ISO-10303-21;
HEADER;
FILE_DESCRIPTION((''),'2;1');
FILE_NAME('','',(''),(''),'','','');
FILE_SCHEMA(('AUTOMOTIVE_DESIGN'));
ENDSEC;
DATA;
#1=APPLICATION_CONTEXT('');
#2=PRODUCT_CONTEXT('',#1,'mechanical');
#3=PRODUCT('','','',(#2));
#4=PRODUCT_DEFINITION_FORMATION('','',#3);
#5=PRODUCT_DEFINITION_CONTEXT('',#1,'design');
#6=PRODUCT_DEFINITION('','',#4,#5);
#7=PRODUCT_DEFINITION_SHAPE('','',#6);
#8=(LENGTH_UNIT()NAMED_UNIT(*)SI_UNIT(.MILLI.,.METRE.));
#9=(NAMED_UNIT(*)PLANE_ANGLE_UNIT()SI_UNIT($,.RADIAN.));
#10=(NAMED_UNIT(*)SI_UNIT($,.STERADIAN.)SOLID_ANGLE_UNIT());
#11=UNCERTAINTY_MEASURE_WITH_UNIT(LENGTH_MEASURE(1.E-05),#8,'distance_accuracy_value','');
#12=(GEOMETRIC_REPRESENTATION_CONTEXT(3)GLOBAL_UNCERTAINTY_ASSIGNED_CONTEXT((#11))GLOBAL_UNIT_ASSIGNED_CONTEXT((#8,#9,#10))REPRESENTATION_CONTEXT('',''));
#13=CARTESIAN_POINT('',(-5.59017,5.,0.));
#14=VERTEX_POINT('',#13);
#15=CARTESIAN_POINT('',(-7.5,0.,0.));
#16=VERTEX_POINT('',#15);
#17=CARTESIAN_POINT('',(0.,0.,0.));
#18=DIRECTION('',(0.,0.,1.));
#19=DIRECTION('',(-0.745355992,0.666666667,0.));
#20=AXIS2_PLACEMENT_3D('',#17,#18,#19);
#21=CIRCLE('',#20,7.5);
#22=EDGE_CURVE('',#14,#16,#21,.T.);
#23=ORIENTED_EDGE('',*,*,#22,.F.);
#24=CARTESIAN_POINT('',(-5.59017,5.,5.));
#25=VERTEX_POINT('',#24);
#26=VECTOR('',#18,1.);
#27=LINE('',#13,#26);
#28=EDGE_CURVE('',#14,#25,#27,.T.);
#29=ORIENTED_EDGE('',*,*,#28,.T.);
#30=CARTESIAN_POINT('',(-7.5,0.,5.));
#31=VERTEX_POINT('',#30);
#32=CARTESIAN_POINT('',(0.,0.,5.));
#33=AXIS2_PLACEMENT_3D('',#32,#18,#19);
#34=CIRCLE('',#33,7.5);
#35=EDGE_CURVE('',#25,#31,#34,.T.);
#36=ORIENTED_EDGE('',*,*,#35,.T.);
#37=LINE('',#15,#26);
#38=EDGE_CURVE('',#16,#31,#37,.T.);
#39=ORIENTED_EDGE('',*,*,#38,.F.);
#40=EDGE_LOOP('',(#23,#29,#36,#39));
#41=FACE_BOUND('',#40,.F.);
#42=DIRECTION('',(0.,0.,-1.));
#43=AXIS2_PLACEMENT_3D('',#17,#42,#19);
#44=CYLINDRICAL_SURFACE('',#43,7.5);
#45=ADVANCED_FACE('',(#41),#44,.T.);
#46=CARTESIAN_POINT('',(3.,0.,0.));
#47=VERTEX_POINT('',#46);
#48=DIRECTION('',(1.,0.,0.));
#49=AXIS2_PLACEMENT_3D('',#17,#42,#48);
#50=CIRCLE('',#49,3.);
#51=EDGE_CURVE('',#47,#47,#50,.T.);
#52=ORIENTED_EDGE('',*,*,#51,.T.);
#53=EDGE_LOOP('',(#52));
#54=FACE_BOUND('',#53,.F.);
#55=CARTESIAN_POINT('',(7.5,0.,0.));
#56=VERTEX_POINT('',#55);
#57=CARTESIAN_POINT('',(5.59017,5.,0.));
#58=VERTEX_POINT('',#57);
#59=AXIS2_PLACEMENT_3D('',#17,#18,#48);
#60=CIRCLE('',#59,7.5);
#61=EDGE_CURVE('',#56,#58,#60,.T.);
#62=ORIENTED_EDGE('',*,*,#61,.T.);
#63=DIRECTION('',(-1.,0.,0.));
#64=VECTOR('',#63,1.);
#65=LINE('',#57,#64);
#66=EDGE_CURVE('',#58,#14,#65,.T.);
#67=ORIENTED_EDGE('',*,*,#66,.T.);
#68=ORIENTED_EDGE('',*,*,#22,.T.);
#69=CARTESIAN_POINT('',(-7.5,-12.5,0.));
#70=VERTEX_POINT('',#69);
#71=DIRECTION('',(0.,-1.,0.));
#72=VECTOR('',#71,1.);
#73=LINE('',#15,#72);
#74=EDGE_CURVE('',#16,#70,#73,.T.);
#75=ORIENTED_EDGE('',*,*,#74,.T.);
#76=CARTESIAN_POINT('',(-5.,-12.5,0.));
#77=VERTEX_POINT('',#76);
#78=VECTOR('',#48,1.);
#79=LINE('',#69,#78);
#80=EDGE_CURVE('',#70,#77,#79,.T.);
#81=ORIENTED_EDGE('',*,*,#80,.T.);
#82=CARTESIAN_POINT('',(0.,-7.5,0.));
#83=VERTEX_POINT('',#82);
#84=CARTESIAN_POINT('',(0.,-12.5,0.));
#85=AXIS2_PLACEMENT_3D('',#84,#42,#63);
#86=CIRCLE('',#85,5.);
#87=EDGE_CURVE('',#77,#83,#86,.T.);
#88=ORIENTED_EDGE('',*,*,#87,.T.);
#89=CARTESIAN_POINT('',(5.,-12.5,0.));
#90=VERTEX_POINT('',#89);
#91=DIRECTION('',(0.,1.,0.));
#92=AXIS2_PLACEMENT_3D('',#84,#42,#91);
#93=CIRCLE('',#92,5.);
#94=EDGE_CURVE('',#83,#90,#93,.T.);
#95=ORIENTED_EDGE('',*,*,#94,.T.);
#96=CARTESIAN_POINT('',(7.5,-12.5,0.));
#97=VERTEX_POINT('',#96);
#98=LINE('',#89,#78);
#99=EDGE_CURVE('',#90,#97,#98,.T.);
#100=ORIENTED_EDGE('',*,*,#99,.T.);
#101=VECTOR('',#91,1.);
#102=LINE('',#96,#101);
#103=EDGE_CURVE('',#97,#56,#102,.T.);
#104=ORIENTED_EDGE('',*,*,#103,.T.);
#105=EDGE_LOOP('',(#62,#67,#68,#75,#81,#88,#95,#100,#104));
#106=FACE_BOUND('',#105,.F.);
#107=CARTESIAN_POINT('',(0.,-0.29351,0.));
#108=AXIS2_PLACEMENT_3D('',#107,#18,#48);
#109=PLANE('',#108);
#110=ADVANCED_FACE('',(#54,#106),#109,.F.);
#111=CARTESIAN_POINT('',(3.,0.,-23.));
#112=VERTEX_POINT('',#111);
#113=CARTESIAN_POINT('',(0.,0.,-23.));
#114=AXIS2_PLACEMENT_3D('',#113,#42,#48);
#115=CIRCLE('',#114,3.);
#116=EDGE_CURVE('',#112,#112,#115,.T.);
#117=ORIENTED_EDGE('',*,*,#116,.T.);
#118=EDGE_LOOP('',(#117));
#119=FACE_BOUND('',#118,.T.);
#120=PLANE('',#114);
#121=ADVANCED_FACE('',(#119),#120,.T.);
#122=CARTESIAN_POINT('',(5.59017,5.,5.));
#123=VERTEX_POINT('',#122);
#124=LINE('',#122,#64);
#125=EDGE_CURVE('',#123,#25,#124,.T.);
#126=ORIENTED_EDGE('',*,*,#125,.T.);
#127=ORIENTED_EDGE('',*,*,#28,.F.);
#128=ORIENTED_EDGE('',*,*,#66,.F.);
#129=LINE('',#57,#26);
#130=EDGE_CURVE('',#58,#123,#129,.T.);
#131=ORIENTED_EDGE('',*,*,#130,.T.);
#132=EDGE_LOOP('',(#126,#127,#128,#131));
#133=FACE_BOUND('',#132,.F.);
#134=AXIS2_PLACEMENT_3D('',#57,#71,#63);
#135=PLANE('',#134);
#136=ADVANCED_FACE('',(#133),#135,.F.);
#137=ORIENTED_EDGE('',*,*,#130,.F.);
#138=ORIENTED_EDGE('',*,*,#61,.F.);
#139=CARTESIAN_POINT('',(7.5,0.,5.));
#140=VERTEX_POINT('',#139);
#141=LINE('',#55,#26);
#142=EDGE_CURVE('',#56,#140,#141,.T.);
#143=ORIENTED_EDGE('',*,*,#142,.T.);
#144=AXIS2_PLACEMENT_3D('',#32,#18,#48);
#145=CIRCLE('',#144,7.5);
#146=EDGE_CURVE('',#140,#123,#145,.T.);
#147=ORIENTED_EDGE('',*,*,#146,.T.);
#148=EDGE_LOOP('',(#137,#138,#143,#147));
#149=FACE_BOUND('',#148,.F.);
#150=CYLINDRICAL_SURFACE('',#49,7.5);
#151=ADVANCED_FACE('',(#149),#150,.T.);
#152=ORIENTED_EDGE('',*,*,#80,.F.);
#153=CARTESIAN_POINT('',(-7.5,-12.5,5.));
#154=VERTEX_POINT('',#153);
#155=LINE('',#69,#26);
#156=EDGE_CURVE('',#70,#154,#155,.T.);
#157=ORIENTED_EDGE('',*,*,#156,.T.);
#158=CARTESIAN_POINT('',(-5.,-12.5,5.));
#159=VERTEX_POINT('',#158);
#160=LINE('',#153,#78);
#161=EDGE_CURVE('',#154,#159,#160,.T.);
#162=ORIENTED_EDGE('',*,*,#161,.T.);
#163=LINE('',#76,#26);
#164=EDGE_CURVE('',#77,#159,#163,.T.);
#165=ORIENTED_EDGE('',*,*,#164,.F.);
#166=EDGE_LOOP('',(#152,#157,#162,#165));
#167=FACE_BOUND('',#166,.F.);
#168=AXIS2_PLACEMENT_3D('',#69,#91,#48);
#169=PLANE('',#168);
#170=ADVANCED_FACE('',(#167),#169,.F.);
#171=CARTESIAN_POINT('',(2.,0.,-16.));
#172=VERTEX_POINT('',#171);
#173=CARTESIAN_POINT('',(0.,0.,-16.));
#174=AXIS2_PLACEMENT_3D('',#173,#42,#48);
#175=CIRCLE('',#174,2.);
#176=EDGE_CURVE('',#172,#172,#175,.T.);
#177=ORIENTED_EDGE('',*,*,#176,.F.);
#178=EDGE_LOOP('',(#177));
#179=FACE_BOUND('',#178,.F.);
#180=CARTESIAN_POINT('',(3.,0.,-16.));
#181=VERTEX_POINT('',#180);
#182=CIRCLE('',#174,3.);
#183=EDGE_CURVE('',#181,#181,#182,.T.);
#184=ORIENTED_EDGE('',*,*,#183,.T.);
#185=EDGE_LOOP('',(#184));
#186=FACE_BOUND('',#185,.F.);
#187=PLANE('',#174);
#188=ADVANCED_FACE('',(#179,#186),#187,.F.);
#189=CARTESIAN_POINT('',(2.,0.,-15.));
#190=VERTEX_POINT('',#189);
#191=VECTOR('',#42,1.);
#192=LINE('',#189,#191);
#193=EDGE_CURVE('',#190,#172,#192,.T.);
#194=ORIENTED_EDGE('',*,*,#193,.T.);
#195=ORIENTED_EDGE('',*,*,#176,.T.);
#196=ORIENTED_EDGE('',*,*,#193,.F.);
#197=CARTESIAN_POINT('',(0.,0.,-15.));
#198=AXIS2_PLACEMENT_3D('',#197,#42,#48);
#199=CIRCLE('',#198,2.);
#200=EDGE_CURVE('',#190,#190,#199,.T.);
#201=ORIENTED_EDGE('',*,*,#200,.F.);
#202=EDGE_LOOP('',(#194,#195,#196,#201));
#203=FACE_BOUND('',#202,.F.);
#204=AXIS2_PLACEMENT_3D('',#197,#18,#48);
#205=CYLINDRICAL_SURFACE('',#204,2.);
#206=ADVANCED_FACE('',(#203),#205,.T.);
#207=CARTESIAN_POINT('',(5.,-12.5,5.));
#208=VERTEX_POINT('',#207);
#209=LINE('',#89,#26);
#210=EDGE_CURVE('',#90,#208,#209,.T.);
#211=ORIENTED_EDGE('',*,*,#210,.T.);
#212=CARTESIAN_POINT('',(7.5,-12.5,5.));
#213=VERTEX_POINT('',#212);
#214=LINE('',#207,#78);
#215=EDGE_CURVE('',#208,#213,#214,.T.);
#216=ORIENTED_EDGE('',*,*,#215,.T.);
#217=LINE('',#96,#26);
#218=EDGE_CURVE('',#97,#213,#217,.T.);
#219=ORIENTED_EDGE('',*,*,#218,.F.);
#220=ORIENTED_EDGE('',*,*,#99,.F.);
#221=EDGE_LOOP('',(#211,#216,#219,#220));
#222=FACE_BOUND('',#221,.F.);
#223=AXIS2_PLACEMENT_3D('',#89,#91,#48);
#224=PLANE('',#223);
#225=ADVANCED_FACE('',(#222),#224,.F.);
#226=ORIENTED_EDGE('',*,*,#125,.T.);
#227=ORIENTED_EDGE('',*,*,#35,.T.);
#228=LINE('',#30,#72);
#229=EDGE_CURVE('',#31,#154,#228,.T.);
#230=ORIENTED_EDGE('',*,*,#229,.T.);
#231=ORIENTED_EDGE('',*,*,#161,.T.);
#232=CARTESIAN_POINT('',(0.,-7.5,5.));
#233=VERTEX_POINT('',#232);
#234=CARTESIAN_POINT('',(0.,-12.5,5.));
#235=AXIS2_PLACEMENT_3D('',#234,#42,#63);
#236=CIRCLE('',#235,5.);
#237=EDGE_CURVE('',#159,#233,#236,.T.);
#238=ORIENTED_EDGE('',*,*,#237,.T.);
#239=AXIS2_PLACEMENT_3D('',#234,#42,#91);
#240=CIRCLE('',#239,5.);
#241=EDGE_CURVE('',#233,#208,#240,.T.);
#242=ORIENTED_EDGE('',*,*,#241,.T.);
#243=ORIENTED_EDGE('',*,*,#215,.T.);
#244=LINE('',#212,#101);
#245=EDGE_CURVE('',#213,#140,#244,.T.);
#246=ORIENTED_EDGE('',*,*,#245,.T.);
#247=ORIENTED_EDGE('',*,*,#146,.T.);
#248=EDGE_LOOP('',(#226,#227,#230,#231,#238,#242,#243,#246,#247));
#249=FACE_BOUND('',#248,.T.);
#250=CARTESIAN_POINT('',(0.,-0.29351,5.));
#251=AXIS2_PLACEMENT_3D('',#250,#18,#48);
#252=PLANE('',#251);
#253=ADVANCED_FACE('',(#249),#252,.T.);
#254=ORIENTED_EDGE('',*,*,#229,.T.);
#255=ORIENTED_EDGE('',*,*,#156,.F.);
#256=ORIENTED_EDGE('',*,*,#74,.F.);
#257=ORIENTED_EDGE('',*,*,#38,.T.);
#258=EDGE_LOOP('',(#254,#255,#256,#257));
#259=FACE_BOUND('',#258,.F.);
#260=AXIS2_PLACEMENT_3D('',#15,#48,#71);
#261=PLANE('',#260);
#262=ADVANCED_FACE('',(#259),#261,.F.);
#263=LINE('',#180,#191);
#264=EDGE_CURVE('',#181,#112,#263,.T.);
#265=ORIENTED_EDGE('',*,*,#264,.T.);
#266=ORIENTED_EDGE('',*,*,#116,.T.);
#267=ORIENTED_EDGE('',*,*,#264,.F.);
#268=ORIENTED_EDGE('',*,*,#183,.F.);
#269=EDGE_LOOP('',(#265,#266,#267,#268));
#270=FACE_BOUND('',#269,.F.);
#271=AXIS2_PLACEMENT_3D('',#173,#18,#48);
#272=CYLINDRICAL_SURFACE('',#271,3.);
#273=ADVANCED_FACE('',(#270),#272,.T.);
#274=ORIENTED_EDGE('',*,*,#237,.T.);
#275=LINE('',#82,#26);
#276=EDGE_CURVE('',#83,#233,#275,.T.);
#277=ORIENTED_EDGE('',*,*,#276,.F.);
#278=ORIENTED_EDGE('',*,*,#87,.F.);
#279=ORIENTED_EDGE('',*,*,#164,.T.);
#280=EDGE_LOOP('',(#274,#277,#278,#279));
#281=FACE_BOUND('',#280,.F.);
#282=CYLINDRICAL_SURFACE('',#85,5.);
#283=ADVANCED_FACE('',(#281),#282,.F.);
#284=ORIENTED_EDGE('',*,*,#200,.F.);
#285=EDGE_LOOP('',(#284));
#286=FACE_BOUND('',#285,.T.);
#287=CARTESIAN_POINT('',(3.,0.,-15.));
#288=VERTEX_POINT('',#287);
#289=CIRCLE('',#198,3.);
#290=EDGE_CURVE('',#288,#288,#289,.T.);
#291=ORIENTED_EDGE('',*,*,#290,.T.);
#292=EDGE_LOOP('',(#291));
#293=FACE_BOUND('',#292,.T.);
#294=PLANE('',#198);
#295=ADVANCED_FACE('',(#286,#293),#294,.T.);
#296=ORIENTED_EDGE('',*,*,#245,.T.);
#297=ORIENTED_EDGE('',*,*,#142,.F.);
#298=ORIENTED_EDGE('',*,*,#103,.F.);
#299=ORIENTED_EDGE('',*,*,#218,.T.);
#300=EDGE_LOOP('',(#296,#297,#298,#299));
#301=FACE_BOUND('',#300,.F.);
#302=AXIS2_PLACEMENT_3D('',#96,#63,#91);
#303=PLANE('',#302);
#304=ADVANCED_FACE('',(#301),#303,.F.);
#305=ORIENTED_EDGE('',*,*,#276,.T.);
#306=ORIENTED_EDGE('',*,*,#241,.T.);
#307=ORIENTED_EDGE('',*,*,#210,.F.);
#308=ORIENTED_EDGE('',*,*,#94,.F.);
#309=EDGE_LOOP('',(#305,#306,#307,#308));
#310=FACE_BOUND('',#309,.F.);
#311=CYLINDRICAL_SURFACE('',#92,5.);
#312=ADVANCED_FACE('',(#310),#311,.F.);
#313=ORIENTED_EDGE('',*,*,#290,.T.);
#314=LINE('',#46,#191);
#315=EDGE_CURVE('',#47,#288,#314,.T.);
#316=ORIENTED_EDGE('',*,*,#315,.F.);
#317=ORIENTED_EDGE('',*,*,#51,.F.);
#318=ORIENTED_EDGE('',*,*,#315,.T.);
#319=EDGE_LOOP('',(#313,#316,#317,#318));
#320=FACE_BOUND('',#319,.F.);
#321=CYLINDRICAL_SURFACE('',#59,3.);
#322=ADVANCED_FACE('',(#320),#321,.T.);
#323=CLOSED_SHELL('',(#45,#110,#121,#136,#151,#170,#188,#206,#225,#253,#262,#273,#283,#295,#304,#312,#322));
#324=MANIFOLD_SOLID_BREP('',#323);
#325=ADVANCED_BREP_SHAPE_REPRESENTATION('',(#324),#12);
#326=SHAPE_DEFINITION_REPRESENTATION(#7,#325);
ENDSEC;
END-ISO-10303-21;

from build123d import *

# Parameters (mm, degrees)
F1_DEPTH = 5
F2_R     = 3
F3_DEPTH = 15
F4_R     = 2
F5_DEPTH = 1
F6_R     = 3
F6_R_2   = 2
F7_DEPTH = 7


with BuildPart() as f1:
    # F0 (on Top) → F1 (new body)
    with BuildSketch(Plane.XY):
        with BuildLine():
            ThreePointArc((0, -7.5), (5.3033008589, -5.3033008589), (7.5, 0))
            ThreePointArc((7.5, 0), (7.0062926922, 2.6761656733), (5.5901699437, 5))
            Line((5.5901699437, 5), (-5.5901699437, 5))
            ThreePointArc((-5.5901699437, 5), (-7.0062926922, 2.6761656733), (-7.5, 0))
            ThreePointArc((-7.5, 0), (-5.3033008589, -5.3033008589), (0, -7.5))
        make_face()
        with BuildLine():
            Line((7.5, -7.5), (7.5, 0))
            ThreePointArc((7.5, 0), (5.3033008589, -5.3033008589), (0, -7.5))
            Line((0, -7.5), (7.5, -7.5))
        make_face()
        with BuildLine():
            Line((-7.5, -7.5), (0, -7.5))
            ThreePointArc((0, -7.5), (-5.3033008589, -5.3033008589), (-7.5, 0))
            Line((-7.5, 0), (-7.5, -7.5))
        make_face()
        with BuildLine():
            Line((7.5, -7.5), (0, -7.5))
            ThreePointArc((0, -7.5), (3.5355339059, -8.9644660941), (5, -12.5))
            Line((5, -12.5), (7.5, -12.5))
            Line((7.5, -12.5), (7.5, -7.5))
        make_face()
        with BuildLine():
            ThreePointArc((-5, -12.5), (-3.5355339059, -8.9644660941), (0, -7.5))
            Line((0, -7.5), (-7.5, -7.5))
            Line((-7.5, -7.5), (-7.5, -12.5))
            Line((-7.5, -12.5), (-5, -12.5))
        make_face()
    extrude(amount=F1_DEPTH)

    # F2 (on face) → F3 (join)
    with BuildSketch(Plane(origin=(0, 0, 0), x_dir=(1, 0, 0), z_dir=(0, 0, -1))):
        Circle(F2_R)
    extrude(amount=F3_DEPTH)

    # F4 (on face) → F5 (join)
    with BuildSketch(Plane(origin=(0, 0, -15), x_dir=(1, 0, 0), z_dir=(0, 0, -1))):
        Circle(F4_R)
    extrude(amount=F5_DEPTH)

    # F6 (on face) → F7 (join)
    with BuildSketch(Plane(origin=(0, 0, -16), x_dir=(1, 0, 0), z_dir=(0, 0, -1))):
        Circle(F6_R)
        Circle(F6_R_2, mode=Mode.SUBTRACT)
        Circle(F6_R_2)
    extrude(amount=F7_DEPTH)


solid = f1.part
